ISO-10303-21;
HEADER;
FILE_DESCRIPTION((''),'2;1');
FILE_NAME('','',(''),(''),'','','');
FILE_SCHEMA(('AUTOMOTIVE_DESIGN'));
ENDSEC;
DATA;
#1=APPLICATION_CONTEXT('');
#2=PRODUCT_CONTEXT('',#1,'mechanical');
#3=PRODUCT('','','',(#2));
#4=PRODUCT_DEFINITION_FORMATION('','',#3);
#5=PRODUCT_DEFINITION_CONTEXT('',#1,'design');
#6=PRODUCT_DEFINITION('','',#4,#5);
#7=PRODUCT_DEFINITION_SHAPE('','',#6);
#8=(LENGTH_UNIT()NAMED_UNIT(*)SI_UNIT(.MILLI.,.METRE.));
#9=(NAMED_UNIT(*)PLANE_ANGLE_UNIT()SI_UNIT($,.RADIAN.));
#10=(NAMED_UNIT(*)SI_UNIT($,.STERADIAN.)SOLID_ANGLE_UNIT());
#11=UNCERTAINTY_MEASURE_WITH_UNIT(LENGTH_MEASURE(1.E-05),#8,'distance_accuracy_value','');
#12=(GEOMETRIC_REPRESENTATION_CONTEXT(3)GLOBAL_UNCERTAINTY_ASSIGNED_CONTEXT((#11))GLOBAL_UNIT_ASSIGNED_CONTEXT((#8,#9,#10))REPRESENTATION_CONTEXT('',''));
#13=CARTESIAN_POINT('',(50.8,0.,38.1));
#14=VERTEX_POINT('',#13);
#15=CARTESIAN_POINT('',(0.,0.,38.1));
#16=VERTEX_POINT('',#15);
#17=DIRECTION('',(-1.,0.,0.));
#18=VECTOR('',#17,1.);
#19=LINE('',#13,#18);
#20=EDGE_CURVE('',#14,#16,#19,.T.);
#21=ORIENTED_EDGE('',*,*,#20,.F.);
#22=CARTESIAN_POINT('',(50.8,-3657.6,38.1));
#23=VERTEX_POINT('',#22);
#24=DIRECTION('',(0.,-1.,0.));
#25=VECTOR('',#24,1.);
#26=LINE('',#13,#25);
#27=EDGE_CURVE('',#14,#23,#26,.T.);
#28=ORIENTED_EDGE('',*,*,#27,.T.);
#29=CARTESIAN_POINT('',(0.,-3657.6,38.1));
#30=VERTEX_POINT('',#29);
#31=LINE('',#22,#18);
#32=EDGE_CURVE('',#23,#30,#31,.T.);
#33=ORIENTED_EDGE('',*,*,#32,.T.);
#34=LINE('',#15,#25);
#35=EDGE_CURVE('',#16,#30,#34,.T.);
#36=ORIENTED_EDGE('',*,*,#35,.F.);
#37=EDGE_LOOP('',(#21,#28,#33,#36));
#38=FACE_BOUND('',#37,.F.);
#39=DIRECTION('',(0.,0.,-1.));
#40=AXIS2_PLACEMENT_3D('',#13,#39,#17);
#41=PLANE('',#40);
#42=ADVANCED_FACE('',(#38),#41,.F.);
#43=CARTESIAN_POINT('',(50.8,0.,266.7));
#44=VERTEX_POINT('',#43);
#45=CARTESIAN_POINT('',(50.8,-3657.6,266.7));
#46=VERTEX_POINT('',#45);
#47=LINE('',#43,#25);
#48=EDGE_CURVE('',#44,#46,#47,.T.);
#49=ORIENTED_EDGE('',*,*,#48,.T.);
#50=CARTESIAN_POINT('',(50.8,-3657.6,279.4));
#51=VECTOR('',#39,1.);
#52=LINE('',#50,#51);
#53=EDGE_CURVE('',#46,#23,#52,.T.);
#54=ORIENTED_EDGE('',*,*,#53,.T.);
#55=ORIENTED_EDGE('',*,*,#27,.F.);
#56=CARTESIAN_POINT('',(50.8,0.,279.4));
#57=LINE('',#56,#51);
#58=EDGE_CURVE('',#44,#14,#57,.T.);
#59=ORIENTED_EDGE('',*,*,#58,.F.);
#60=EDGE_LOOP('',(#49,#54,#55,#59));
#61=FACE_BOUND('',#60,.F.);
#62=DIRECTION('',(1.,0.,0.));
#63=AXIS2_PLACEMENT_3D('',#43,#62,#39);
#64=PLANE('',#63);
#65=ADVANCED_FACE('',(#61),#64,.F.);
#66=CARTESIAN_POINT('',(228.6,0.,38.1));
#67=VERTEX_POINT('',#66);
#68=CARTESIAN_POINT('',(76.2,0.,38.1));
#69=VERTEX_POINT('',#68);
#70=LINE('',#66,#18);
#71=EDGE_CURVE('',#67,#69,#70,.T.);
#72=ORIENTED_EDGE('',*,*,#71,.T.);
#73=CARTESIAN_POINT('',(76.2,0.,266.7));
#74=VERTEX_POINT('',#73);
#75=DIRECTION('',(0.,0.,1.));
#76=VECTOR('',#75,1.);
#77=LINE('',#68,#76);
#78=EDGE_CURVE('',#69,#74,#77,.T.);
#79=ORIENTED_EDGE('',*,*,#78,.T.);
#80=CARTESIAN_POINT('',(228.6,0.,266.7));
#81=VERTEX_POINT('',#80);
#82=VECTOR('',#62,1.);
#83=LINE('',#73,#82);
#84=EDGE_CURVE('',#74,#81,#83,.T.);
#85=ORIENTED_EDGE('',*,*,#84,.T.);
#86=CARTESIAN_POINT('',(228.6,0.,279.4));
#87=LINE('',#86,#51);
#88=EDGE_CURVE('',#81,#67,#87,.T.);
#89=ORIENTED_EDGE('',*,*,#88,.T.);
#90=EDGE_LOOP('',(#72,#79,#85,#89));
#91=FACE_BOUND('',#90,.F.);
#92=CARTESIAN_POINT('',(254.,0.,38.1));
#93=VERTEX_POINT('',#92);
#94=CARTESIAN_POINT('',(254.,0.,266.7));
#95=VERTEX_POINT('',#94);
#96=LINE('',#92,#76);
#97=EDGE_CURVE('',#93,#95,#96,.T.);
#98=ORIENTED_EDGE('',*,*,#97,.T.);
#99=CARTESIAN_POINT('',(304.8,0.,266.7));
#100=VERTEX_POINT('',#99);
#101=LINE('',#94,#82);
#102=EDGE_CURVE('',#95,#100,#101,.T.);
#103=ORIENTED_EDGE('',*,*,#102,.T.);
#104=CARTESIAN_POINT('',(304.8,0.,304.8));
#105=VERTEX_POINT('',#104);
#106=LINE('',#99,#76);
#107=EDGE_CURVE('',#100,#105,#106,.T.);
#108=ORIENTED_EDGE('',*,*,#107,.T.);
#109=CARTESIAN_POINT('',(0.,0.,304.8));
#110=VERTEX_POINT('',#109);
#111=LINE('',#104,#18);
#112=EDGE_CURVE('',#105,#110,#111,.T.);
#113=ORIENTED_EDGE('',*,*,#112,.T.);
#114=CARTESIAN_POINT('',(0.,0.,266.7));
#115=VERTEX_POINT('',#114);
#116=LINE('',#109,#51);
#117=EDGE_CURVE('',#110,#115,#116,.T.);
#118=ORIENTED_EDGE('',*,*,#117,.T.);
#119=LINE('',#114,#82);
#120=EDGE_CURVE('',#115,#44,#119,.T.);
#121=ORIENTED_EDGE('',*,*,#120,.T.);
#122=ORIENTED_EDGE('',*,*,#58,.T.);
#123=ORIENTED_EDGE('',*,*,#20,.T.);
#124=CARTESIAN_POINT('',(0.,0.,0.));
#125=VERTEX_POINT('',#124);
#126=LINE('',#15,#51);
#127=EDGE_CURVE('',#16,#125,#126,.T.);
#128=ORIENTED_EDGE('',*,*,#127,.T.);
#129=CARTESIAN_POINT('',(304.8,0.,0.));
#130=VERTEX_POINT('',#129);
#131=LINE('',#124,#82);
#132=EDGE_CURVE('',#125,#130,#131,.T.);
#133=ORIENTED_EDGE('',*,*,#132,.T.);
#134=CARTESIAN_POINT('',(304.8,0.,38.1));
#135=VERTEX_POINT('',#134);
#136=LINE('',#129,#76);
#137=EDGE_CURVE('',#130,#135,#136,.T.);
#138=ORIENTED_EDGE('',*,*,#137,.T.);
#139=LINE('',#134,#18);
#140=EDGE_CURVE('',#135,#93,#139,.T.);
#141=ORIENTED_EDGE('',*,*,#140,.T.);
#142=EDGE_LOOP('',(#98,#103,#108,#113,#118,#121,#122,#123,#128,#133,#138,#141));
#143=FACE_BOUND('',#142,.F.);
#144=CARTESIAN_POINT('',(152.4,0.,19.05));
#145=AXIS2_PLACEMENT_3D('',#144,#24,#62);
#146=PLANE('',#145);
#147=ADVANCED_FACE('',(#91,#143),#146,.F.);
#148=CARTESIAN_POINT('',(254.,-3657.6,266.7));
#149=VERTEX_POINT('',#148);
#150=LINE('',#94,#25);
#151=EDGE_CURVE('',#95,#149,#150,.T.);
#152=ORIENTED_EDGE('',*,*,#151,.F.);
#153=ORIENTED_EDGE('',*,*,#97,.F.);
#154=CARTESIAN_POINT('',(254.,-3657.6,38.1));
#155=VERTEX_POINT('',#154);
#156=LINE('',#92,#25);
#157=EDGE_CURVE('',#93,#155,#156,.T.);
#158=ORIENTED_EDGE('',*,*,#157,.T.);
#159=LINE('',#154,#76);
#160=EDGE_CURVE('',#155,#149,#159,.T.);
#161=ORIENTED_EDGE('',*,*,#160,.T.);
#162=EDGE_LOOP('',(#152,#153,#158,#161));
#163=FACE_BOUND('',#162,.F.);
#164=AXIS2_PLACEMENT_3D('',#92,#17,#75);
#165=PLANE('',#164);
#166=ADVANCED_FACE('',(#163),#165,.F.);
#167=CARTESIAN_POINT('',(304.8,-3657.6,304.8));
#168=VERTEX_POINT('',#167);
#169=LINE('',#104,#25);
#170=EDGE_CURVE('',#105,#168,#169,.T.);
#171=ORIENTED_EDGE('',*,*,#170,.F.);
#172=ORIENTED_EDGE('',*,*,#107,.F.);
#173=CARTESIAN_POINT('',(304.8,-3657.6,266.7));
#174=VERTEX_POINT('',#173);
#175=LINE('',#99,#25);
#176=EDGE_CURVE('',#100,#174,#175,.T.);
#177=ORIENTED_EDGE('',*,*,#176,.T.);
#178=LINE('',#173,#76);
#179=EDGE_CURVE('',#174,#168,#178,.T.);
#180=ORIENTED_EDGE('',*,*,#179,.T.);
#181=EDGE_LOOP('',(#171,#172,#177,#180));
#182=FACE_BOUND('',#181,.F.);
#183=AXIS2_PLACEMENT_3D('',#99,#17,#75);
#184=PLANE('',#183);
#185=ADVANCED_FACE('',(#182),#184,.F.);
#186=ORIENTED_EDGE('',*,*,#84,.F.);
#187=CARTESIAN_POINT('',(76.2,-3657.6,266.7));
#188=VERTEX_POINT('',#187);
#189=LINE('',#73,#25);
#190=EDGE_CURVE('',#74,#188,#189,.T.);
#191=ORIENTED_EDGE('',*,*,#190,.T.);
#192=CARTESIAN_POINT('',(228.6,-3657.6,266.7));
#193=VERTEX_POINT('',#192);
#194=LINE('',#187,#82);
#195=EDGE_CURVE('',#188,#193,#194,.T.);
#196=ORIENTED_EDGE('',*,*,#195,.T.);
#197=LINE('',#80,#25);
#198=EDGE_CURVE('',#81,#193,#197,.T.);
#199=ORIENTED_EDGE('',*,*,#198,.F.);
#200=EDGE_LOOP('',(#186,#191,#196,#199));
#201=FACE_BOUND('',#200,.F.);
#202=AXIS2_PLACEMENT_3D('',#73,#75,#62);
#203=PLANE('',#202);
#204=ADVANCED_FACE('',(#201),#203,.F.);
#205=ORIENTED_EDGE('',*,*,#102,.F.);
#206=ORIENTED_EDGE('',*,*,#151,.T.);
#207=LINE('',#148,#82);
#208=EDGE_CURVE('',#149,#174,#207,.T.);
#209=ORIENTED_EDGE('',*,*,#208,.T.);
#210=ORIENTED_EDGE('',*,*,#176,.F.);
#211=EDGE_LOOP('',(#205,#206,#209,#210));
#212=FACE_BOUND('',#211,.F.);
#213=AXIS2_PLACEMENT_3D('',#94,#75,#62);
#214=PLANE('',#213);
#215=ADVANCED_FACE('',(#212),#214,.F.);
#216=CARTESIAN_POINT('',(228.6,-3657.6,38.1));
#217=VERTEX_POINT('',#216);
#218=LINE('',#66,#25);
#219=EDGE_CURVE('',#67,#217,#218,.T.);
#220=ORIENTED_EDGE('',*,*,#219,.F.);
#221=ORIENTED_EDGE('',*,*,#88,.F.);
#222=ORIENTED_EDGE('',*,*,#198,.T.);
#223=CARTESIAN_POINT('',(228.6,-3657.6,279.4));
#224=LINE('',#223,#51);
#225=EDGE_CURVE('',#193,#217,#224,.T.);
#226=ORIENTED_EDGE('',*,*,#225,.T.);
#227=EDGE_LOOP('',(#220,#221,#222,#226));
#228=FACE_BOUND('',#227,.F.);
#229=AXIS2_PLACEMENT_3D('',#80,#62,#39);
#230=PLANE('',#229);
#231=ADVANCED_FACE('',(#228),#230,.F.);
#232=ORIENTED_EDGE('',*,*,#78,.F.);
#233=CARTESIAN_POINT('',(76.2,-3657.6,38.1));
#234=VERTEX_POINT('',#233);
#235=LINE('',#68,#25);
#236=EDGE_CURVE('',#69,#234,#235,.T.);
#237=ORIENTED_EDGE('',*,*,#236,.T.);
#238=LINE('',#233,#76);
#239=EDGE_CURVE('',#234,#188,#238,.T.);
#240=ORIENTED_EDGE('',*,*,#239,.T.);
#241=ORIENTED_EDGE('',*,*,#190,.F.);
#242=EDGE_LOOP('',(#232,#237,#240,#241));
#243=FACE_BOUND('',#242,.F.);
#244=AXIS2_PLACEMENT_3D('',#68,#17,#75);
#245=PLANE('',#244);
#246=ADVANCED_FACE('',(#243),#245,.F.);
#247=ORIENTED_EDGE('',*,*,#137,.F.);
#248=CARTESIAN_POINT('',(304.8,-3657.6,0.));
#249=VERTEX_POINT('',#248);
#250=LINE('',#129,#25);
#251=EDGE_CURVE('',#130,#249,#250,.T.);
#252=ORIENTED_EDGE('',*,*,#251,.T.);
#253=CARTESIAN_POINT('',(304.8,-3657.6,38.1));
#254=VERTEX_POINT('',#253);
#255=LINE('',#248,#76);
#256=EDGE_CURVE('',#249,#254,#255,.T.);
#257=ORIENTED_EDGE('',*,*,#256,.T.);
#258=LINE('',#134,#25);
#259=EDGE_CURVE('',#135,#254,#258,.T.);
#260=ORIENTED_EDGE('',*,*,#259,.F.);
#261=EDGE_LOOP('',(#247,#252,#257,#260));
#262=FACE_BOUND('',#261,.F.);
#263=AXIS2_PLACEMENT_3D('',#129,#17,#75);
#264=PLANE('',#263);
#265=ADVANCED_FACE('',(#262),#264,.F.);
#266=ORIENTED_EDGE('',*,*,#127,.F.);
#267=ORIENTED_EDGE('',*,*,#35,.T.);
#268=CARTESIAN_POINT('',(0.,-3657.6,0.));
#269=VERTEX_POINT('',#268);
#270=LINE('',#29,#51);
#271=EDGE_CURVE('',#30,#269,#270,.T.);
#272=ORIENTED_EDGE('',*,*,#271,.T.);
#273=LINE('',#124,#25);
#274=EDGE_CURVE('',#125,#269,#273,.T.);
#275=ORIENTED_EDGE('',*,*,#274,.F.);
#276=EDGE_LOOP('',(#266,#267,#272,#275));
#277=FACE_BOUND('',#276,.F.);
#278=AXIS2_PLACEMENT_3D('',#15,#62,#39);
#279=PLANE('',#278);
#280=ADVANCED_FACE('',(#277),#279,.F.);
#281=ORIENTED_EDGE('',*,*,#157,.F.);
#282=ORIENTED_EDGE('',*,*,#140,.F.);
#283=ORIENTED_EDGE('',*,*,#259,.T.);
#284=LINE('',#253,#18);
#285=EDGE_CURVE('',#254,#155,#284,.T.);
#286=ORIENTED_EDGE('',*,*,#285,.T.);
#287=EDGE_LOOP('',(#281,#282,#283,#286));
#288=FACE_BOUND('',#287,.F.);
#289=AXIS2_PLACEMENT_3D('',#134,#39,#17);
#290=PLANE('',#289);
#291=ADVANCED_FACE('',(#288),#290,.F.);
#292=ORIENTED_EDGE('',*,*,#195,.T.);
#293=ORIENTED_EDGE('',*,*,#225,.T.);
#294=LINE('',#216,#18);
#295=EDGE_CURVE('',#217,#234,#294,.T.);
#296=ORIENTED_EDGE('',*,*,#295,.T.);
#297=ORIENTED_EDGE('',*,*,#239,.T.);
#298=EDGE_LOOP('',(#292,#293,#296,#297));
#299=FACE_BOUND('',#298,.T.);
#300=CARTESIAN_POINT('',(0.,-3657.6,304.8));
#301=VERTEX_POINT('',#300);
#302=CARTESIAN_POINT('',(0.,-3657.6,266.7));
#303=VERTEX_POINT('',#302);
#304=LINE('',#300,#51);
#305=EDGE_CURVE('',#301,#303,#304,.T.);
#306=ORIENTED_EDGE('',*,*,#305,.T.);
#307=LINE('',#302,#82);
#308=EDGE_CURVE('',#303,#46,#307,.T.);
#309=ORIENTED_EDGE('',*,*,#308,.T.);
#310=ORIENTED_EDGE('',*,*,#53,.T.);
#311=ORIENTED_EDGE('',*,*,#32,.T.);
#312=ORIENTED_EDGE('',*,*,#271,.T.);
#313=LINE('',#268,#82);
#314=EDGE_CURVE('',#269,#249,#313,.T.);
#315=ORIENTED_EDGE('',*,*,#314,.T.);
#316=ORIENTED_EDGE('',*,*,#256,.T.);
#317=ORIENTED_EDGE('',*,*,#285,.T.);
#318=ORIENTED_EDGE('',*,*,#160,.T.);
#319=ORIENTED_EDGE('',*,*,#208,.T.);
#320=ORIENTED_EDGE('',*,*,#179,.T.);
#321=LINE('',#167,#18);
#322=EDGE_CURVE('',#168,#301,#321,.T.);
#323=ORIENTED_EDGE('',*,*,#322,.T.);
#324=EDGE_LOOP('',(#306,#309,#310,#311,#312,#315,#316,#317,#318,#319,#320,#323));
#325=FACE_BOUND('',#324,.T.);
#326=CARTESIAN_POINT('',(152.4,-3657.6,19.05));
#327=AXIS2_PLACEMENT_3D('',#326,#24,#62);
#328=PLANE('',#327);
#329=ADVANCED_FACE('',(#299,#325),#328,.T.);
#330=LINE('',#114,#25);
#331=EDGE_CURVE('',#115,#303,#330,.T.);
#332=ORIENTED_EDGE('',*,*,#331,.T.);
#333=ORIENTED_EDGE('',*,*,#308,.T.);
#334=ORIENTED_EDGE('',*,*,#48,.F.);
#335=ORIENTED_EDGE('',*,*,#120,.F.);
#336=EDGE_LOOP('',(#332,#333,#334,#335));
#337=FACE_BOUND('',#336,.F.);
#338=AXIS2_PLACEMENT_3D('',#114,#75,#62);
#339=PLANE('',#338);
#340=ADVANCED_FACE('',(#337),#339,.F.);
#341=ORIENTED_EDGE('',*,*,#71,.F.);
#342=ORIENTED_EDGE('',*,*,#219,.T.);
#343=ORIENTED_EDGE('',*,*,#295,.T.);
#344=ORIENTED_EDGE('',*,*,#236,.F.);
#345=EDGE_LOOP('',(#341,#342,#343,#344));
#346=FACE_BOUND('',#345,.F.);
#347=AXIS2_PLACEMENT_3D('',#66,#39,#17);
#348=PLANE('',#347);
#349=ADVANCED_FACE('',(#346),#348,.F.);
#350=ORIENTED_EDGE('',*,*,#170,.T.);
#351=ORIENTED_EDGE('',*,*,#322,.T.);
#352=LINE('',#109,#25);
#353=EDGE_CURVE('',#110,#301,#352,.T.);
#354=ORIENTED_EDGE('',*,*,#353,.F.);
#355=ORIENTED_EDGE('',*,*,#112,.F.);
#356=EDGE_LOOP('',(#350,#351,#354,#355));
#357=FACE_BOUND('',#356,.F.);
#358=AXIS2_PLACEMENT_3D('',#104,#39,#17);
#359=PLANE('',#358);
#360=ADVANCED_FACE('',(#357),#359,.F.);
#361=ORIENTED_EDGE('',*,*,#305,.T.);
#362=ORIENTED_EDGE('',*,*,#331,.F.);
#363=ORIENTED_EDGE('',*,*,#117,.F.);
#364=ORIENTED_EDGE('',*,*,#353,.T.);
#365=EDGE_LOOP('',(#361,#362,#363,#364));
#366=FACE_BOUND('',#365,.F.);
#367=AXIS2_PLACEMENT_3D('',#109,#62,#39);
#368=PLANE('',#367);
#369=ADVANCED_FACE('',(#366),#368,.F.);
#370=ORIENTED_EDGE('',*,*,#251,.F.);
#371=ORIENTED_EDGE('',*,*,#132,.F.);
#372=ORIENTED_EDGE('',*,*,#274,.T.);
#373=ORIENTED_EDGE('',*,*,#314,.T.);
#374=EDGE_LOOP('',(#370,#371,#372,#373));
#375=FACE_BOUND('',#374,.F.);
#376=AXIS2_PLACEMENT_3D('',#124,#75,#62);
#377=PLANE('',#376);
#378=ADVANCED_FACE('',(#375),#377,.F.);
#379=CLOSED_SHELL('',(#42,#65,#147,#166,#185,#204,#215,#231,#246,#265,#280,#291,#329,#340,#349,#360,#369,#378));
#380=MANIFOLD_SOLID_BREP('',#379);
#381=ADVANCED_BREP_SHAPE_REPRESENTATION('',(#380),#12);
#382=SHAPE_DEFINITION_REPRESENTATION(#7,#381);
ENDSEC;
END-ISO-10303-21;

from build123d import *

# Parameters (mm, degrees)
F1_DEPTH = 3657.6


with BuildPart() as f1:
    # F0 (on Front) → F1 (new body)
    with BuildSketch(Plane.XZ):
        Polygon((0, 38.1), (0, 0), (304.8, 0), (304.8, 38.1), (254, 38.1), (254, 25.4), (228.6, 25.4), (228.6, 38.1), (76.2, 38.1), (76.2, 25.4), (50.8, 25.4), (50.8, 38.1), align=None)
        Polygon((50.8, 266.7), (50.8, 38.1), (50.8, 25.4), (76.2, 25.4), (76.2, 38.1), (76.2, 266.7), (76.2, 279.4), (50.8, 279.4), align=None)
        Polygon((254, 25.4), (254, 38.1), (254, 266.7), (254, 279.4), (228.6, 279.4), (228.6, 266.7), (228.6, 38.1), (228.6, 25.4), align=None)
        Polygon((0, 266.7), (50.8, 266.7), (50.8, 279.4), (76.2, 279.4), (76.2, 266.7), (228.6, 266.7), (228.6, 279.4), (254, 279.4), (254, 266.7), (304.8, 266.7), (304.8, 304.8), (0, 304.8), align=None)
    extrude(amount=F1_DEPTH)


solid = f1.part
